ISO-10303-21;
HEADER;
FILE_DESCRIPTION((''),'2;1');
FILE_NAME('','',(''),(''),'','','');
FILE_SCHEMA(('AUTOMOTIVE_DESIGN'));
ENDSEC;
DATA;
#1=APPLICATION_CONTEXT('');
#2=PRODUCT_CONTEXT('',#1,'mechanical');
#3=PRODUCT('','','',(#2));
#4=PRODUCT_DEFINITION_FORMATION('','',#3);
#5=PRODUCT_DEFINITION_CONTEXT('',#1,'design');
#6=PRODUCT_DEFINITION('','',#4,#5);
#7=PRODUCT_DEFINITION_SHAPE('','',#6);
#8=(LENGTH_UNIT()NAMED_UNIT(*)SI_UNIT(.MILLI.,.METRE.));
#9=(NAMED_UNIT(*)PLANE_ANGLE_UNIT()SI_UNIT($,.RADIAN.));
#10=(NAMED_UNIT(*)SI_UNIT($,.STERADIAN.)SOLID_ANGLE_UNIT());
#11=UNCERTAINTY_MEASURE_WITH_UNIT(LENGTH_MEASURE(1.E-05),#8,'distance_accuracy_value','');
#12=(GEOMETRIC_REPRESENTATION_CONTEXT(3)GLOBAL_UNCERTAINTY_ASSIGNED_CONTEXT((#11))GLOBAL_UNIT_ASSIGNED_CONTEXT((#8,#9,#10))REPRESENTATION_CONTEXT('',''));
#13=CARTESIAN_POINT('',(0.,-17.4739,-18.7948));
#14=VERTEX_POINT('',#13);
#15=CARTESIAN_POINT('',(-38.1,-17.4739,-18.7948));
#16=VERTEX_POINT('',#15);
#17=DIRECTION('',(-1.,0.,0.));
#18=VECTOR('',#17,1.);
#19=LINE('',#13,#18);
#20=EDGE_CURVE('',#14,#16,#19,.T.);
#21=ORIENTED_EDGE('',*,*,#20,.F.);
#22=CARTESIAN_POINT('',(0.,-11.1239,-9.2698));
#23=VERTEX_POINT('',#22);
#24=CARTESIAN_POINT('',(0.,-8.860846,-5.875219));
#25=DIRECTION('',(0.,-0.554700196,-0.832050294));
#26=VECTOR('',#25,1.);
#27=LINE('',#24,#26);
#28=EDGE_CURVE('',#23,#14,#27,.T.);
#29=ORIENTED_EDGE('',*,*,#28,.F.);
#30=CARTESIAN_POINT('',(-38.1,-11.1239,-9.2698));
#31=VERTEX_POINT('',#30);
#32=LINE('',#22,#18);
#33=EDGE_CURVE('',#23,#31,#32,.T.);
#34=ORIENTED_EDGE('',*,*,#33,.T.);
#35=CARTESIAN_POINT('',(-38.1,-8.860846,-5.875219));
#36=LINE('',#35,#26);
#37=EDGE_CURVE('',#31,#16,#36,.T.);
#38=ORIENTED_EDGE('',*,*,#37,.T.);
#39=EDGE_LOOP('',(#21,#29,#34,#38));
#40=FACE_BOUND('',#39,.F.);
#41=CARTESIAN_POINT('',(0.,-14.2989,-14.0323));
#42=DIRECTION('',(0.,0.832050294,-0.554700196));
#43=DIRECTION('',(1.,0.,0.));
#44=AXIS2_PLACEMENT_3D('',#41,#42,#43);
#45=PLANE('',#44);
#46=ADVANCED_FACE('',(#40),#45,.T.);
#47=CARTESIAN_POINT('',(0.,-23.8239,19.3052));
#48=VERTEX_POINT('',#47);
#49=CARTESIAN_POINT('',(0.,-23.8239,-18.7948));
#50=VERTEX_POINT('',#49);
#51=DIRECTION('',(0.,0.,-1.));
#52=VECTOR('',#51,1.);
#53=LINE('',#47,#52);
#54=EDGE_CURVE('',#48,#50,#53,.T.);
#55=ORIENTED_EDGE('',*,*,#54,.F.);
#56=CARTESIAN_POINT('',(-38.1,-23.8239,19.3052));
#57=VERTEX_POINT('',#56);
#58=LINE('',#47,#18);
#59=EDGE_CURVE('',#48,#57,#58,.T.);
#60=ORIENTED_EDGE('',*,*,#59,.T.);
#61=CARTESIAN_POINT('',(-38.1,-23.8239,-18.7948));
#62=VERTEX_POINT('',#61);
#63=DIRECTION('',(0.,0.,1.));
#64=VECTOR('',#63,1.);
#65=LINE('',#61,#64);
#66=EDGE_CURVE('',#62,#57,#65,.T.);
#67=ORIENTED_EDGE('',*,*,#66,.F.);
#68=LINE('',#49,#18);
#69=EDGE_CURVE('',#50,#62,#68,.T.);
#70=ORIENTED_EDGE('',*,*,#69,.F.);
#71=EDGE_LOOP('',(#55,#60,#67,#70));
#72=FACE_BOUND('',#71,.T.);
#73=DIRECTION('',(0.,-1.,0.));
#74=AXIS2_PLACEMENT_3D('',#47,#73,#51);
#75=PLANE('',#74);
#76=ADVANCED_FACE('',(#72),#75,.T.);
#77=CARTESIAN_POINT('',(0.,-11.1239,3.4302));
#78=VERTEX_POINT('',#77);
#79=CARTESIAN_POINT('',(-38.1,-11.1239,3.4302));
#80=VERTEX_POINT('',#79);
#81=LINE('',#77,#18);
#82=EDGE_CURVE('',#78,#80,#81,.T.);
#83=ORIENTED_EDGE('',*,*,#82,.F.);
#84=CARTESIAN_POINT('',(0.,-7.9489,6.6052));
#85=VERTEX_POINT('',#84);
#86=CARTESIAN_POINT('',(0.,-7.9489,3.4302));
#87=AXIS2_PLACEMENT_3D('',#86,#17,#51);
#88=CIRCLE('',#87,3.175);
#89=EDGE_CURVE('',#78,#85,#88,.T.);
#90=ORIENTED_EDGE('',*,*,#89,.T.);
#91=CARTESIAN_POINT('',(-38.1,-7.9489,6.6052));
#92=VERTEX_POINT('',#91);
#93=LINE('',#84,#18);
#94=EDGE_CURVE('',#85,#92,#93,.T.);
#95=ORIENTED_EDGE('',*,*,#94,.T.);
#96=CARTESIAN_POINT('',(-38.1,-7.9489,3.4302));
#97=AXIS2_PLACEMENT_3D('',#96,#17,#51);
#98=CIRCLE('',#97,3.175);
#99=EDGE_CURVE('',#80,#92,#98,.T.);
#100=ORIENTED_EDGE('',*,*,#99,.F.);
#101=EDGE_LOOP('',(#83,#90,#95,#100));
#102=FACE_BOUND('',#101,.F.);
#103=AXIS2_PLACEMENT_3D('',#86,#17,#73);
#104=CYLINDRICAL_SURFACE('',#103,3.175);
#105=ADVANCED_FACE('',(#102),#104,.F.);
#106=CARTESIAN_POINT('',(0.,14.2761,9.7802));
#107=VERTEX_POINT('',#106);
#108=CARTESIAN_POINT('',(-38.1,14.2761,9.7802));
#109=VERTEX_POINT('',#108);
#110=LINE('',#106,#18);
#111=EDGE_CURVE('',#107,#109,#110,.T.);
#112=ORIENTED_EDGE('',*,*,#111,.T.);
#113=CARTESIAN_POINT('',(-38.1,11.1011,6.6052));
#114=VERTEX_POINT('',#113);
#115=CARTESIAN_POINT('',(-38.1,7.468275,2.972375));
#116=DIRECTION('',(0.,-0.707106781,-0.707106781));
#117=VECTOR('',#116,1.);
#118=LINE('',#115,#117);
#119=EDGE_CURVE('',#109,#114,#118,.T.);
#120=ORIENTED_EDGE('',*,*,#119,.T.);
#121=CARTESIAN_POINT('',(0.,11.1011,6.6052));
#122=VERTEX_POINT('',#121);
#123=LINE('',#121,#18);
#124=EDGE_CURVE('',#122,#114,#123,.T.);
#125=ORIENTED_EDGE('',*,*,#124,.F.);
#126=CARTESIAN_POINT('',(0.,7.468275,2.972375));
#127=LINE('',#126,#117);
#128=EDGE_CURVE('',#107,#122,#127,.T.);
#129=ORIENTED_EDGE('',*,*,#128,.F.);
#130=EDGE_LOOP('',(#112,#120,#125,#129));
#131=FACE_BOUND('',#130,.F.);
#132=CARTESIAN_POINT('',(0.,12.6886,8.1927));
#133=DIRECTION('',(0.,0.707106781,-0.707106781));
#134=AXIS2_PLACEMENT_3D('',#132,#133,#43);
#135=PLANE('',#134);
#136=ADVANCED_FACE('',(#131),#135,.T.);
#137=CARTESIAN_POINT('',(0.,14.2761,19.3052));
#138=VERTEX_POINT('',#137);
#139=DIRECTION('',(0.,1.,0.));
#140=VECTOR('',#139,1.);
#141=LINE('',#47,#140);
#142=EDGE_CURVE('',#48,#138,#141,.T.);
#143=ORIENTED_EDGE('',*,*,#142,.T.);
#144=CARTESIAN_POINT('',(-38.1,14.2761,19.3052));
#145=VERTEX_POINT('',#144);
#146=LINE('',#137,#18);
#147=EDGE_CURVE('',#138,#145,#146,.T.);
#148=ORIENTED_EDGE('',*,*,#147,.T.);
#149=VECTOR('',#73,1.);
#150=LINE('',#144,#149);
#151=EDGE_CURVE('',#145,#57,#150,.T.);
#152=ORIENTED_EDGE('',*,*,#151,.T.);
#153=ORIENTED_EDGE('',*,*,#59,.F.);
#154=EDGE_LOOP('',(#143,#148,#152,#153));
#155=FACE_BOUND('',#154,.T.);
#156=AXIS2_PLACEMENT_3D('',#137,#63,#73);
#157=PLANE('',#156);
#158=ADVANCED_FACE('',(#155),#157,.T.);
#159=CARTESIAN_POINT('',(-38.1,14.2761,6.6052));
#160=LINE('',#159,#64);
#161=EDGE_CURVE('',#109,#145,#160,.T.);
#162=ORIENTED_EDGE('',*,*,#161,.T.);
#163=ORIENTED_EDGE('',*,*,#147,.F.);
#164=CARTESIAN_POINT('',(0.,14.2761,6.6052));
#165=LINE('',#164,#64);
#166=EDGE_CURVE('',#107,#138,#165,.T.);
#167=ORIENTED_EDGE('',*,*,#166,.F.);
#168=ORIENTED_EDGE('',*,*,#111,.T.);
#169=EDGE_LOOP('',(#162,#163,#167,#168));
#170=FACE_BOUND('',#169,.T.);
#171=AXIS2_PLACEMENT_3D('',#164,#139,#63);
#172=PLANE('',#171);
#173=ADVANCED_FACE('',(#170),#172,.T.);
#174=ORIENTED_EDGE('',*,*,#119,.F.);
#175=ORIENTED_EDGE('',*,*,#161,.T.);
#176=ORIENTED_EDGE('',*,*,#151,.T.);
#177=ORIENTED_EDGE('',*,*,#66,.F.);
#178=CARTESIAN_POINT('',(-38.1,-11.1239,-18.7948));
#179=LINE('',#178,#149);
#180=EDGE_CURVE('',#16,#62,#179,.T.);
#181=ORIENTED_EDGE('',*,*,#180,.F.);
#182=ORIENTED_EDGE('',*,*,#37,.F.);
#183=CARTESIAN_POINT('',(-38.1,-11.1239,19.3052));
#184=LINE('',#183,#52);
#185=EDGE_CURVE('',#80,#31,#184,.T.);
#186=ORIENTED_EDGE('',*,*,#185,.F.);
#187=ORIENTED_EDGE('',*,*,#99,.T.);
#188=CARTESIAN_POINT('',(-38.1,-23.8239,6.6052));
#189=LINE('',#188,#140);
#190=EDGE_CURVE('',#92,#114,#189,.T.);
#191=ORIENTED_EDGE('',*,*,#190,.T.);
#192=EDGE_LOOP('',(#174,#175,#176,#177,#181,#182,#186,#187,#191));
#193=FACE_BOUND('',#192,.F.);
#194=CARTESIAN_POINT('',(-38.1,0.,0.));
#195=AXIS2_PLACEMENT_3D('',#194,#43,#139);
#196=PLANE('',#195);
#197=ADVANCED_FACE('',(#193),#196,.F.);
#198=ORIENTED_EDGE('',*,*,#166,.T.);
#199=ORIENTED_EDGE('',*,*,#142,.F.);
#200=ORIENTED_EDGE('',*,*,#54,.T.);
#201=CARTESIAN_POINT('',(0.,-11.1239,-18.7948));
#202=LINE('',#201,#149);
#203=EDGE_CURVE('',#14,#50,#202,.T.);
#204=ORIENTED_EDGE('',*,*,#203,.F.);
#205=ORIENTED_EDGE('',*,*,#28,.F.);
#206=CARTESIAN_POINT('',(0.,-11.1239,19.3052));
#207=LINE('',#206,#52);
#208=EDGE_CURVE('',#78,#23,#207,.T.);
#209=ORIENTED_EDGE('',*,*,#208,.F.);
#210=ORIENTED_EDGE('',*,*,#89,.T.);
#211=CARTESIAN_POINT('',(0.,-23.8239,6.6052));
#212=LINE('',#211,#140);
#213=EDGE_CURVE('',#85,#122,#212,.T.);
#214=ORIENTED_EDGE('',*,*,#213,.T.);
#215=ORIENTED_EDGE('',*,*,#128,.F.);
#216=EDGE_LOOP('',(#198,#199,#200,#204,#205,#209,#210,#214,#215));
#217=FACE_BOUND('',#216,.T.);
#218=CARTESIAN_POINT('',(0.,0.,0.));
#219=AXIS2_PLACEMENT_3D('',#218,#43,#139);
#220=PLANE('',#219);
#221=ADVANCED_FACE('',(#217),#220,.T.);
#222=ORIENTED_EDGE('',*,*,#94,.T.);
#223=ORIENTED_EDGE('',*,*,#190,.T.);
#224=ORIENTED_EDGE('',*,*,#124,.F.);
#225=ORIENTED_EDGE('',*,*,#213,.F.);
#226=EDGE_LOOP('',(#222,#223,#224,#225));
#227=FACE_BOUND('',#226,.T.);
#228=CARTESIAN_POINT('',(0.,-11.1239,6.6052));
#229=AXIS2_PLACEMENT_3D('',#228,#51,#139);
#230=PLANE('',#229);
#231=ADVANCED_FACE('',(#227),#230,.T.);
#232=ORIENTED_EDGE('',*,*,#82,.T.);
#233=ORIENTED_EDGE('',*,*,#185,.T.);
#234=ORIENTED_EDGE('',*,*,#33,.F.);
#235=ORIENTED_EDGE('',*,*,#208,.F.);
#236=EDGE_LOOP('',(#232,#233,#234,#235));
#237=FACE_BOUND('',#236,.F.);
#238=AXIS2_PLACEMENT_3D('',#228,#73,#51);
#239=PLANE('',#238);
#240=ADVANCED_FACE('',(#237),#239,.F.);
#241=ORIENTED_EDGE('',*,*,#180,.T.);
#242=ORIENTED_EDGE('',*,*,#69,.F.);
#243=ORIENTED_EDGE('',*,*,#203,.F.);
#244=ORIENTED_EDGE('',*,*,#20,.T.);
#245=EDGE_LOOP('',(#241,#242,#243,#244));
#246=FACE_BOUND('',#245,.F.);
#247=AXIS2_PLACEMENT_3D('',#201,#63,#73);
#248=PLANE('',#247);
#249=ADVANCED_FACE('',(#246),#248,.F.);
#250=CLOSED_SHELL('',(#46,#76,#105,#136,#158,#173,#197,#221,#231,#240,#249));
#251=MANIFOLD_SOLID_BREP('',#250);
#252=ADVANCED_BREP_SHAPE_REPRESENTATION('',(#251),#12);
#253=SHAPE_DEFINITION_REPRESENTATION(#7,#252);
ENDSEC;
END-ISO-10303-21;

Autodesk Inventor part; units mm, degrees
ref_plane "YZ Plane" through (0, 0, 0) normal (1, 0, 0) x (0, 1, 0)
ref_plane "XZ Plane" through (0, 0, 0) normal (0, 1, 0) x (-1, 0, 0)
ref_plane "XY Plane" through (0, 0, 0) normal (0, 0, 1) x (1, 0, 0)
sketch "Sketch1" plane through (0, 0, 0) normal (1, 0, 0) x (0, 1, 0)
  line L0 (14.2761, 19.3052) -> (-23.8239, 19.3052)
  line L1 (-23.8239, 19.3052) -> (-23.8239, 6.6052)
  line L2 (-23.8239, 6.6052) -> (14.2761, 6.6052)
  line L3 (14.2761, 6.6052) -> (14.2761, 19.3052)
  line L4 (-23.8239, 19.3052) -> (-11.1239, 19.3052)
  line L5 (-11.1239, 19.3052) -> (-11.1239, -18.7948)
  line L6 (-11.1239, -18.7948) -> (-23.8239, -18.7948)
  line L7 (-23.8239, -18.7948) -> (-23.8239, 19.3052)
  point P0 (0, 0)
  dimension "d0" = 38.1
  dimension "d1" = 12.7
  dimension "d2" = 12.7
  dimension "d3" = 38.1
extrude "Extrusion1" add sketch "Sketch1" against normal blind 38.1
chamfer "Chamfer1" distance 3.175 angle 45 1 edges at (-19.05, 14.2761, 6.6052) measured on face at (-12.7, -2.6572, 6.6052)
chamfer "Chamfer2" distance 9.525 distance2 6.35 1 edges at (-19.05, -11.1239, -18.7948) measured on face at (-12.7, -11.1239, -10.3281)
fillet "Fillet1" radius 3.175 1 edges at (-19.05, -11.1239, 6.6052)
properties part number "L Chamfer"
